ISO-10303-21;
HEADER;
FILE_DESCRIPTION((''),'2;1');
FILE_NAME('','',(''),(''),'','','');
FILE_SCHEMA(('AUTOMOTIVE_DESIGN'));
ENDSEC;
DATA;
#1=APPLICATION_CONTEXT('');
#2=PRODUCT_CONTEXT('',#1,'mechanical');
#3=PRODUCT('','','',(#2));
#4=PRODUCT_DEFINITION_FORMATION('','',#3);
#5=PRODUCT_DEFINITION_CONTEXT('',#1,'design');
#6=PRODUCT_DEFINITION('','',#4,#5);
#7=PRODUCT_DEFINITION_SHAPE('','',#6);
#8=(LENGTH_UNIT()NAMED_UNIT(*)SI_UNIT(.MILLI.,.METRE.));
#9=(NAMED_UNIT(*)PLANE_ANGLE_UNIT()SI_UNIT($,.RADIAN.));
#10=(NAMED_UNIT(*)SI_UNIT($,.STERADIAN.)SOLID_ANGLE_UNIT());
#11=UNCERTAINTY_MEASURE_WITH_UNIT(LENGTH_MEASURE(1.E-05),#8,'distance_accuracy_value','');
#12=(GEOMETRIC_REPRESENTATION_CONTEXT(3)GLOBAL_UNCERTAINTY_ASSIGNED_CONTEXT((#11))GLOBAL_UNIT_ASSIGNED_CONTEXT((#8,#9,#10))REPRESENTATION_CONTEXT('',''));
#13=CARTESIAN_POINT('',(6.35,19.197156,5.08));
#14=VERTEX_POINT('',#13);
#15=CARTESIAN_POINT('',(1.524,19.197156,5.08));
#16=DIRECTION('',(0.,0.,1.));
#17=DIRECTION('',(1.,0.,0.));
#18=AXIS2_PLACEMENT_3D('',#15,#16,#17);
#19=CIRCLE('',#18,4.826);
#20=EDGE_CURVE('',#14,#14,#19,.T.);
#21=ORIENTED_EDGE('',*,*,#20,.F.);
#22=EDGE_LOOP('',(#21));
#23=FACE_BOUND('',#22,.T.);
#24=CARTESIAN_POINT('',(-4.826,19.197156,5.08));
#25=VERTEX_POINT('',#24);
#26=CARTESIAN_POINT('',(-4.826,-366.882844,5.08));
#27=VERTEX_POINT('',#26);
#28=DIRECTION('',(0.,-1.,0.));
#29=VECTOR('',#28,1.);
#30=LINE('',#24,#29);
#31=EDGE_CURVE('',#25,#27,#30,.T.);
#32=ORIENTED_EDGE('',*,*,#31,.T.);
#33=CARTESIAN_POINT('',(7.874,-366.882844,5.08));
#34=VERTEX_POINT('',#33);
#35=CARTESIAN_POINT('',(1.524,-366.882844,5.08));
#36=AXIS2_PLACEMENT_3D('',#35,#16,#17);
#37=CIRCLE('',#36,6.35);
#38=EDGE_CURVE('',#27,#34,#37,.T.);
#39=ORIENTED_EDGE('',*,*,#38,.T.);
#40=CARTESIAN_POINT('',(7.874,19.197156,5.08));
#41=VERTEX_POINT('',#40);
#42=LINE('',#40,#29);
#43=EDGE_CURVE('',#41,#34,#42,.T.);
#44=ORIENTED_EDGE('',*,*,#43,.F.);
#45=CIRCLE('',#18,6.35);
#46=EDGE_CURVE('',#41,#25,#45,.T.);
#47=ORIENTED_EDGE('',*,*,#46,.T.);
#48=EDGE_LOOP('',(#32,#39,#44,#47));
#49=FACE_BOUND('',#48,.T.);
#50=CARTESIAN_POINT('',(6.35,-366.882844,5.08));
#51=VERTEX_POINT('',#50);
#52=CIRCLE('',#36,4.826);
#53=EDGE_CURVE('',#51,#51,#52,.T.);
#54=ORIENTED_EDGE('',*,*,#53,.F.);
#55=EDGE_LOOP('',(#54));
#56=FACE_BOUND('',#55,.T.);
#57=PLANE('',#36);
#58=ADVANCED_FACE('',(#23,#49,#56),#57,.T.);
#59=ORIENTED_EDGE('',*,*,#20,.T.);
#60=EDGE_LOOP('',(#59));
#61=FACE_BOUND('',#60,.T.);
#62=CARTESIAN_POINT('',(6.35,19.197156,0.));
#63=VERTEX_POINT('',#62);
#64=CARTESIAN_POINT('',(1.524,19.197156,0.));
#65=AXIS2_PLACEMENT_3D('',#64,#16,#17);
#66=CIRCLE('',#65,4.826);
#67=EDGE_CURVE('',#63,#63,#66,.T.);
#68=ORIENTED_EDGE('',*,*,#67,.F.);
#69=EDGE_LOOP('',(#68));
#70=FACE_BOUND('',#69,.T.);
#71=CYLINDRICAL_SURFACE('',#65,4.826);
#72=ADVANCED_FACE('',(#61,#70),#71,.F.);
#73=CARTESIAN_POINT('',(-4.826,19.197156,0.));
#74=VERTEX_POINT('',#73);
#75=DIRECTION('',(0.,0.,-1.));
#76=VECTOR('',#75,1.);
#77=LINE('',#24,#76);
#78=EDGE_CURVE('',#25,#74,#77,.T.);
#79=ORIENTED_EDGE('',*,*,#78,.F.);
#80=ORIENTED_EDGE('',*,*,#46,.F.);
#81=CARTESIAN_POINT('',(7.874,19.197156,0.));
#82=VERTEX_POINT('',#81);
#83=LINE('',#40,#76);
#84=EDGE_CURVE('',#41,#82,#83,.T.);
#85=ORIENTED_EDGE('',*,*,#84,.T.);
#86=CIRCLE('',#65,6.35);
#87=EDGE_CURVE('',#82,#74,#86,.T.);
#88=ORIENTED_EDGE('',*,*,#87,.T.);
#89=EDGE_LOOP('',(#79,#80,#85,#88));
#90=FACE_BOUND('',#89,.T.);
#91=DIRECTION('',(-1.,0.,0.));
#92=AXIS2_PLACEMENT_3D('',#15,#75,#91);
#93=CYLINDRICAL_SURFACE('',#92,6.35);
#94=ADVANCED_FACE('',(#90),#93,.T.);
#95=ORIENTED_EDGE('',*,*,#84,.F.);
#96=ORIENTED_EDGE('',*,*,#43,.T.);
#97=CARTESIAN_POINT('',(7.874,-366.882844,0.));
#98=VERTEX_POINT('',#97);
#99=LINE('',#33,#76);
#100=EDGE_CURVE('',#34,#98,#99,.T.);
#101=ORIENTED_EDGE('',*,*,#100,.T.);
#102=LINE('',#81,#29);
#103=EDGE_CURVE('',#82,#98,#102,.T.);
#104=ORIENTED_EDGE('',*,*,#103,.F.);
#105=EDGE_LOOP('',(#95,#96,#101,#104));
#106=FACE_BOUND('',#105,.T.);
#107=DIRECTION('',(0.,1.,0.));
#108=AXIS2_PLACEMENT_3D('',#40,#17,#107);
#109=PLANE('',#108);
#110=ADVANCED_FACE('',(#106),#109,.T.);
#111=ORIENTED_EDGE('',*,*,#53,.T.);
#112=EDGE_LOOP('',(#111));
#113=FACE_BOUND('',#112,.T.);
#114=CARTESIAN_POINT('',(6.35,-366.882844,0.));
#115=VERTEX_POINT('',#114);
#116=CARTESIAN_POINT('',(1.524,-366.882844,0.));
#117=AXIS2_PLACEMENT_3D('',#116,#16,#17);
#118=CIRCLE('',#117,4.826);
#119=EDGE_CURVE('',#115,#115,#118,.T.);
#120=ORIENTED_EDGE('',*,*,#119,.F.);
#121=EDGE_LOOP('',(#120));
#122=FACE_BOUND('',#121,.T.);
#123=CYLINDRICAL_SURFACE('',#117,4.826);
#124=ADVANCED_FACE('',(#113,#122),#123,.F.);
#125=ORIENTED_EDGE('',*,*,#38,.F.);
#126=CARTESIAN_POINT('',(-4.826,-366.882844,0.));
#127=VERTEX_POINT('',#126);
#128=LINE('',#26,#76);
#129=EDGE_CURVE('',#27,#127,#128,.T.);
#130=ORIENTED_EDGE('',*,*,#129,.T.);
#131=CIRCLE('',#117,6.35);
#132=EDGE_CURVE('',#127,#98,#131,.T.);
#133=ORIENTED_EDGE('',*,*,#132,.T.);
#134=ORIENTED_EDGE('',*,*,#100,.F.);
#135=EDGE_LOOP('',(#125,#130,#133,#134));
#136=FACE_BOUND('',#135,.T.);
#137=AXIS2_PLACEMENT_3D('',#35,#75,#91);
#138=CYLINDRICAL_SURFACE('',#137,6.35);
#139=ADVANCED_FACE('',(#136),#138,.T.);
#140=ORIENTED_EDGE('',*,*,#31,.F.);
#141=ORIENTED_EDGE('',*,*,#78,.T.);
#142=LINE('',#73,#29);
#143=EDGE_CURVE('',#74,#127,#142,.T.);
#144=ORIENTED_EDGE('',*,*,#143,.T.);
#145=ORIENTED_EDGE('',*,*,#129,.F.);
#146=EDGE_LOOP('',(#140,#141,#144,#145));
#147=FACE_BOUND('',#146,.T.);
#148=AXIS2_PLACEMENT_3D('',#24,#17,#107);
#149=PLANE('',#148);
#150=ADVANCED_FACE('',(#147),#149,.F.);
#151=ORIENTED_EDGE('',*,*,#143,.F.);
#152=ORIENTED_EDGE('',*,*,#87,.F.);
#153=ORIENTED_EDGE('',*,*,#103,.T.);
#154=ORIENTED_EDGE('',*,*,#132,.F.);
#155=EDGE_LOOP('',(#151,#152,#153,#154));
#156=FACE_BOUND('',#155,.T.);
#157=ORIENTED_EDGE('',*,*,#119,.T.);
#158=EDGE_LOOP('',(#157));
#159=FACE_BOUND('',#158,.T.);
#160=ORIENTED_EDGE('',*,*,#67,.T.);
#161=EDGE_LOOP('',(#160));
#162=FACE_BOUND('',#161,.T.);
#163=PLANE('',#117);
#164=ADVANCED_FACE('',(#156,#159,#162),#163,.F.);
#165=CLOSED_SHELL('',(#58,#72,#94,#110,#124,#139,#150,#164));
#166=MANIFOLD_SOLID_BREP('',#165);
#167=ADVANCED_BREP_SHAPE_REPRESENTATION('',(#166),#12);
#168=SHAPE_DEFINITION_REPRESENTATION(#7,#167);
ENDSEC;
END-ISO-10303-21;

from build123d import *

# Parameters (mm, degrees)
BOSS_EXTRUDE1_DEPTH = 5.08
SKETCH2_R           = 4.826
CUT_EXTRUDE1_DEPTH  = 374.350455108


with BuildPart() as part:
    # Sketch1 → Boss-Extrude1 (new body)
    with BuildSketch(Plane.XY):
        with BuildLine():
            Line((-4.826, 19.197155715), (-4.826, -366.882844285))
            ThreePointArc((-4.826, -366.882844285), (1.524, -373.232844285), (7.874, -366.882844285))
            Line((7.874, -366.882844285), (7.874, 19.197155715))
            ThreePointArc((7.874, 19.197155715), (1.524, 25.547155715), (-4.826, 19.197155715))
        make_face()
    extrude(amount=BOSS_EXTRUDE1_DEPTH)

    # Sketch2 → Cut-Extrude1 (cut, through all)
    with BuildSketch(Plane.XY.offset(5.08)):
        with Locations((1.524, 19.197155715)):
            Circle(SKETCH2_R)
        with Locations((1.524, -366.882844285)):
            Circle(SKETCH2_R)
    extrude(amount=-CUT_EXTRUDE1_DEPTH, mode=Mode.SUBTRACT)


solid = part.part
